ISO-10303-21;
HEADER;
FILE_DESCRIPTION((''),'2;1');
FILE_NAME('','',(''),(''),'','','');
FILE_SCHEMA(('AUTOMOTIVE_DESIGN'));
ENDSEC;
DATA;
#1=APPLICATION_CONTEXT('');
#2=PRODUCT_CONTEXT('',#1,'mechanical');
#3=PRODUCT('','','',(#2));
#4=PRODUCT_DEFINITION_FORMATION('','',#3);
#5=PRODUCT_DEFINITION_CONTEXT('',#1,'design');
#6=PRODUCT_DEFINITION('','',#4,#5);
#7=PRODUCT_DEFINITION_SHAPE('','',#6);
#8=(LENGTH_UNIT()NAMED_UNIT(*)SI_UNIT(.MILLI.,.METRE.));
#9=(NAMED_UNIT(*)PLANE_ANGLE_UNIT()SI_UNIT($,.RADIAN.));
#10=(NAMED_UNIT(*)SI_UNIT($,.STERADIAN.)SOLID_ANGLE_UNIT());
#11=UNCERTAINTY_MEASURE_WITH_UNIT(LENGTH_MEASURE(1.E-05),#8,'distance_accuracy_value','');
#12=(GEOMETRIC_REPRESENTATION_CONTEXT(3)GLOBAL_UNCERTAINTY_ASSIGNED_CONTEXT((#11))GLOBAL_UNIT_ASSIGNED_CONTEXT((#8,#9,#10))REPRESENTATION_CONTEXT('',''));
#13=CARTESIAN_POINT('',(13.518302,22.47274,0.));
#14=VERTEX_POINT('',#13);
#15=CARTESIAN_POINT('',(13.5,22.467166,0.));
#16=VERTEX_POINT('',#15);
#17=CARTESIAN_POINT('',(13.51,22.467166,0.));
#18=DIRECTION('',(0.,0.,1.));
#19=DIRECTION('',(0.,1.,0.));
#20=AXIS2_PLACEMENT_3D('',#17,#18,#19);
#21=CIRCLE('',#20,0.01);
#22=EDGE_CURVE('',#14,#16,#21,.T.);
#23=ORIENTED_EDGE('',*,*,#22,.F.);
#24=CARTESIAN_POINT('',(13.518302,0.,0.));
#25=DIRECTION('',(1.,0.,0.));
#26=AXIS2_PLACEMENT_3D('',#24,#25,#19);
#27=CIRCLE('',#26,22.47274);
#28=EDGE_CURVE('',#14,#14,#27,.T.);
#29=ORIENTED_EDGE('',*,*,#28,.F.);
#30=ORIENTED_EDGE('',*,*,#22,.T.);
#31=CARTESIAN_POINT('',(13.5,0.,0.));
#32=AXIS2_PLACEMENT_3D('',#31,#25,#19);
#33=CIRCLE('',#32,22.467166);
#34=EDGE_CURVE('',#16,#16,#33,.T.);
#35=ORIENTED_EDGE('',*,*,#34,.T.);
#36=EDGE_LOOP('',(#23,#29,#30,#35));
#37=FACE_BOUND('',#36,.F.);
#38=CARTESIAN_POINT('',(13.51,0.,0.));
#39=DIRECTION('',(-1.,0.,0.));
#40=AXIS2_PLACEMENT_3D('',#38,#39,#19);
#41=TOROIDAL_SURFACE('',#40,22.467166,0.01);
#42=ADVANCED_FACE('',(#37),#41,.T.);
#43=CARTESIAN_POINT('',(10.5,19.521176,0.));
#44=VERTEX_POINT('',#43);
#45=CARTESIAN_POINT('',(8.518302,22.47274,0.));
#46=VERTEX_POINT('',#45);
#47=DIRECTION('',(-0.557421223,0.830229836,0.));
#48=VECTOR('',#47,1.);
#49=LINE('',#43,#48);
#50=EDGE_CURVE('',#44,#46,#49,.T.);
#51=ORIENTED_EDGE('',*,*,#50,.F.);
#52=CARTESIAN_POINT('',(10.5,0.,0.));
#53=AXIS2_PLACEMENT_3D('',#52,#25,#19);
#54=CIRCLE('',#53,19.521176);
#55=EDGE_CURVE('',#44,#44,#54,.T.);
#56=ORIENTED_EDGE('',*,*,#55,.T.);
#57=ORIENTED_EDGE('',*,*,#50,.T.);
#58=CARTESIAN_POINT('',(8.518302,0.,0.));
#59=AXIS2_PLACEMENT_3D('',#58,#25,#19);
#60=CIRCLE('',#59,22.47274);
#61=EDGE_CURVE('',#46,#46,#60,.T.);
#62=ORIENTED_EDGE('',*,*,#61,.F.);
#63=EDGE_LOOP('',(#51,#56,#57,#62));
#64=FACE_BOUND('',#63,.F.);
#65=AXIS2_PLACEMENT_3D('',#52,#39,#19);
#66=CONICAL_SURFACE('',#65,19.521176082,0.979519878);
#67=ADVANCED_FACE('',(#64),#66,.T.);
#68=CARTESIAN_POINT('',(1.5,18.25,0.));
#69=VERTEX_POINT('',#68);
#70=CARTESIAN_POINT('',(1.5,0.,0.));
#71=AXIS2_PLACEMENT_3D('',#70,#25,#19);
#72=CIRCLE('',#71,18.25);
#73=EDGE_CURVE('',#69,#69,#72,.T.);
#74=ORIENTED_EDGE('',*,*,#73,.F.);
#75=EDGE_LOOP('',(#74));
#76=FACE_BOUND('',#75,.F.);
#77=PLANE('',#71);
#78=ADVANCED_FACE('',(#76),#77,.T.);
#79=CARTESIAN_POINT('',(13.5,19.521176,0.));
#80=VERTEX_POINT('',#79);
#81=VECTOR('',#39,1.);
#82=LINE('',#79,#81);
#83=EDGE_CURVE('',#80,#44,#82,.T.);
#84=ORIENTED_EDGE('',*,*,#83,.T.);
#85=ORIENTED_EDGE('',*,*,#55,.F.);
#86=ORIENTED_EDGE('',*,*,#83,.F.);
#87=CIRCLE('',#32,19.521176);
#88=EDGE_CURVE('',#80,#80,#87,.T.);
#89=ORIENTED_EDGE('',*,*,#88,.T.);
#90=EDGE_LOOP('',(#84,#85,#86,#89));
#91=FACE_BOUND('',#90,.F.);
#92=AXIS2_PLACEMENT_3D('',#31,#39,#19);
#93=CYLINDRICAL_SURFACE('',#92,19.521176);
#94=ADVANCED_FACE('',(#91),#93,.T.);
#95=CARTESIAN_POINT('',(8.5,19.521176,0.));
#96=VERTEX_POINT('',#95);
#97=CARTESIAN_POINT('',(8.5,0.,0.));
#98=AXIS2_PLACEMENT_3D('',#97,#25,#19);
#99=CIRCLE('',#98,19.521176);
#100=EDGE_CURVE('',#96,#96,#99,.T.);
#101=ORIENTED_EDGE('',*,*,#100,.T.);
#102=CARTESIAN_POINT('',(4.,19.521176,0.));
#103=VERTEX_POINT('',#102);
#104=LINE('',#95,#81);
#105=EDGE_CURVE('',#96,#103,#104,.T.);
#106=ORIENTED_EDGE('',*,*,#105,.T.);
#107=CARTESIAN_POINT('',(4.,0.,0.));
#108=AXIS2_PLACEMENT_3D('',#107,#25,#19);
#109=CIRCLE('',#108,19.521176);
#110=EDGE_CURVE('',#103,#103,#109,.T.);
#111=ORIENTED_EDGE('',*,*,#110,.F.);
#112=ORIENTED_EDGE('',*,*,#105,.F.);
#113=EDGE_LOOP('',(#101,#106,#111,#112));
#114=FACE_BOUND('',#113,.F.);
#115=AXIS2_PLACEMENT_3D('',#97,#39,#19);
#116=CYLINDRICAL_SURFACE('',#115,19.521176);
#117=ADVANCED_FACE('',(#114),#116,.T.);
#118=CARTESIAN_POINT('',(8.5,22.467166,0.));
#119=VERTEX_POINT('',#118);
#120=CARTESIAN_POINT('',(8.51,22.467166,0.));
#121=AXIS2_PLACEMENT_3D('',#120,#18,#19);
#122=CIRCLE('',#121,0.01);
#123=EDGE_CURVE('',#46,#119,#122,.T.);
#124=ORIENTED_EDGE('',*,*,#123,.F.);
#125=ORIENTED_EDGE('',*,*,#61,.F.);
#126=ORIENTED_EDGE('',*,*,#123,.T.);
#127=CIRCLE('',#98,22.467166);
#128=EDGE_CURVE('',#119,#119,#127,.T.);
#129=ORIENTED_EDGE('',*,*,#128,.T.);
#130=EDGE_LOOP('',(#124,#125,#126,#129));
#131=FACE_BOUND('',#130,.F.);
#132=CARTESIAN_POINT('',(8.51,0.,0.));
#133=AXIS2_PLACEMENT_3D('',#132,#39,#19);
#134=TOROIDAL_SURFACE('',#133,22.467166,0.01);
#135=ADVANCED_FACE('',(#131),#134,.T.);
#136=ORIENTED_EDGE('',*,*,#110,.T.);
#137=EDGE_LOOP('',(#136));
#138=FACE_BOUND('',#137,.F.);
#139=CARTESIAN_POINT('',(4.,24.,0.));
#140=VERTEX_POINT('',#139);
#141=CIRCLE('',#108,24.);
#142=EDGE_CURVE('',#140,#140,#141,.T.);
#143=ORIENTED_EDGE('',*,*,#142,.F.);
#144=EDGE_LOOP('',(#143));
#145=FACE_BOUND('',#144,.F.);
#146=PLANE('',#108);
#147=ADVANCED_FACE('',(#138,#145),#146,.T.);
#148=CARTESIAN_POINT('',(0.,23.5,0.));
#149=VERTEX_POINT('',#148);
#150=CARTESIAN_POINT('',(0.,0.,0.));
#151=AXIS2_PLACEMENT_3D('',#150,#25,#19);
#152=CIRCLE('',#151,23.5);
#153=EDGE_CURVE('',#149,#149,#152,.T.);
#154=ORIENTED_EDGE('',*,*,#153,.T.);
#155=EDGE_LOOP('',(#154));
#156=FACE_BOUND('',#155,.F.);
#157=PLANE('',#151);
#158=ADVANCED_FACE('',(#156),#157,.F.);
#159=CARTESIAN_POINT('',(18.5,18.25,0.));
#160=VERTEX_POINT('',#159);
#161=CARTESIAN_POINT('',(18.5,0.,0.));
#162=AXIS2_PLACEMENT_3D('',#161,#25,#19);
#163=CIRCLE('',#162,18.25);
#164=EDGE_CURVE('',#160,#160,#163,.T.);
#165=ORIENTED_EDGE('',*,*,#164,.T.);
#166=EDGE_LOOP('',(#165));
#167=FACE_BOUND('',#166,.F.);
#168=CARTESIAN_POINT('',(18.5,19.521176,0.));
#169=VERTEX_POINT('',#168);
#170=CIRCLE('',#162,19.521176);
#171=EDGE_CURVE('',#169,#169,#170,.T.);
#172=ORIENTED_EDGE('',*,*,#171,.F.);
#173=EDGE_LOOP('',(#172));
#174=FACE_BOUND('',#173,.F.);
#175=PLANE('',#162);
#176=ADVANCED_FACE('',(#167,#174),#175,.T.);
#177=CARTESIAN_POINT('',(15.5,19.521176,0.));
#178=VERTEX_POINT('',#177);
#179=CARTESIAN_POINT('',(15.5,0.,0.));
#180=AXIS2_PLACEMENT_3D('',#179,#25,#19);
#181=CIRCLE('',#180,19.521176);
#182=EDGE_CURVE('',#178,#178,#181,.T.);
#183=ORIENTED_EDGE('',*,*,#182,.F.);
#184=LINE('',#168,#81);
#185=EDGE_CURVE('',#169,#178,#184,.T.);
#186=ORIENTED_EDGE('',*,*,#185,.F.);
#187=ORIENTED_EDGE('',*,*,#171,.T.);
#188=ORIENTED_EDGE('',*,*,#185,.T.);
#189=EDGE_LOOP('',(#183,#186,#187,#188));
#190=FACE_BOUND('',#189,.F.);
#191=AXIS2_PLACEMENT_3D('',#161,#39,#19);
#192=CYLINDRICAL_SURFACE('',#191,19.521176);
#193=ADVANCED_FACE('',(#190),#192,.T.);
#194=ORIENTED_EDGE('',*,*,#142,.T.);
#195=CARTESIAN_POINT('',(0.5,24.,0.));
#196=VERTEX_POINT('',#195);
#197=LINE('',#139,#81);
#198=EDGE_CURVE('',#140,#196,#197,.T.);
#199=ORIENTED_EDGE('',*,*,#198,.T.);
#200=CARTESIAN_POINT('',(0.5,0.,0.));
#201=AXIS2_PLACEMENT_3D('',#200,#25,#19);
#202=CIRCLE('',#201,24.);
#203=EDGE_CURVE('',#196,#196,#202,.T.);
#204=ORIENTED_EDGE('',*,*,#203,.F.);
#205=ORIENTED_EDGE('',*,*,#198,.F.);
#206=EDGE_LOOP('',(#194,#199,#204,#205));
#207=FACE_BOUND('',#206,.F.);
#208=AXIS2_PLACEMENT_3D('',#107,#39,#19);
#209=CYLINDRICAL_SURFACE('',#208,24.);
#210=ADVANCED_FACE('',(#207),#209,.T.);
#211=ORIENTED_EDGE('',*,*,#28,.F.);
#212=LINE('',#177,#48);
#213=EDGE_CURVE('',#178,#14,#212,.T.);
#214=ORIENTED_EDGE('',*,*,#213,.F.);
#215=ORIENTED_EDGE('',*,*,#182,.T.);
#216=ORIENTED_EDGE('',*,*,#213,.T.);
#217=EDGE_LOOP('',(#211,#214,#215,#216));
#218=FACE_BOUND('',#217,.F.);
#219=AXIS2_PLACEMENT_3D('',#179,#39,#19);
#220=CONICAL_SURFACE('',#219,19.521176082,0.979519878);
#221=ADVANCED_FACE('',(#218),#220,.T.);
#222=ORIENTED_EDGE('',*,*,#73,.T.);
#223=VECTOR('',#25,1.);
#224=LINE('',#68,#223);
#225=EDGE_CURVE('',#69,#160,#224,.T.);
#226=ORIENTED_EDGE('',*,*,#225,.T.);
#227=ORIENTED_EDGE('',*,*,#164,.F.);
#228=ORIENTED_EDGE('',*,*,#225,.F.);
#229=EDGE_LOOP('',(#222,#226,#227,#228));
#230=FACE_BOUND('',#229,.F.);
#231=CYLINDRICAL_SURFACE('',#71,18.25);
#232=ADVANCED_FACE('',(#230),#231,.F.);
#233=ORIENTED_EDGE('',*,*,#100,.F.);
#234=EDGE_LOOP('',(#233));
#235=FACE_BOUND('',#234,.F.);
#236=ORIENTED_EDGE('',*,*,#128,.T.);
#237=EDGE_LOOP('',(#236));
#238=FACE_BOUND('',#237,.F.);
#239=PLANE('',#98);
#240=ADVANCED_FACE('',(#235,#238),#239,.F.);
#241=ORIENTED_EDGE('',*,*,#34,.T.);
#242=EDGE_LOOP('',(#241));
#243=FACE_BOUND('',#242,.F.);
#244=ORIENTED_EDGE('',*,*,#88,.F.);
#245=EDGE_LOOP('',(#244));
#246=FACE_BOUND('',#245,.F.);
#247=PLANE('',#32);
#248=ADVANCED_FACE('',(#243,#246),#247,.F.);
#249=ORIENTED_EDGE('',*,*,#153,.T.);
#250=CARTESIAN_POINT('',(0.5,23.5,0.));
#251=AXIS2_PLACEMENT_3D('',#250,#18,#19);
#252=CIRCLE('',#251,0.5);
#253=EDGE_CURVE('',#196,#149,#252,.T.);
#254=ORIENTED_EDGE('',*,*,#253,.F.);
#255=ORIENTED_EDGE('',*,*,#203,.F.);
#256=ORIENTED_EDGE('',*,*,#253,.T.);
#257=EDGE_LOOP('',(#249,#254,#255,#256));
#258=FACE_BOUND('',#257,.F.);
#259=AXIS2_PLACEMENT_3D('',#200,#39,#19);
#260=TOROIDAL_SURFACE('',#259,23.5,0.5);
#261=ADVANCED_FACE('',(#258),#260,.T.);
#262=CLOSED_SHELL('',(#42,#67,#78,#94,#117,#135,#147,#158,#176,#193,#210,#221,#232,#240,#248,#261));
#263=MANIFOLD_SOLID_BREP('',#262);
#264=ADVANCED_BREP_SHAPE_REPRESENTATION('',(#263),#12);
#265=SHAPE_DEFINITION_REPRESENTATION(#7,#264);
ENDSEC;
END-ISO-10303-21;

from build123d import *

# Parameters (mm, degrees)
FILLET1_R = 0.01
FILLET2_R = 0.5


with BuildPart() as part:
    # Sketch1 → Revolve1 (revolve)
    with BuildSketch(Plane.XY):
        Polygon((0, 24), (0, 0), (1.5, 0), (1.5, 18.25), (18.5, 18.25), (18.5, 19.521176082), (15.5, 19.521176082), (13.5, 22.5), (13.5, 19.521176082), (10.5, 19.521176082), (8.5, 22.5), (8.5, 19.521176082), (4, 19.521176082), (4, 24), align=None)
    revolve(axis=Axis((0, 0, 0), (1, 0, 0)))

    # Fillet1
    fillet1_edges = [part.edges().sort_by_distance(p)[0] for p in [
        (8.5, -22.5, 0),
        (13.5, -22.5, 0),
    ]]
    fillet(fillet1_edges, radius=FILLET1_R)

    # Fillet2
    fillet2_edges = [part.edges().sort_by_distance(p)[0] for p in [
        (0, -24, 0),
    ]]
    fillet(fillet2_edges, radius=FILLET2_R)


solid = part.part
